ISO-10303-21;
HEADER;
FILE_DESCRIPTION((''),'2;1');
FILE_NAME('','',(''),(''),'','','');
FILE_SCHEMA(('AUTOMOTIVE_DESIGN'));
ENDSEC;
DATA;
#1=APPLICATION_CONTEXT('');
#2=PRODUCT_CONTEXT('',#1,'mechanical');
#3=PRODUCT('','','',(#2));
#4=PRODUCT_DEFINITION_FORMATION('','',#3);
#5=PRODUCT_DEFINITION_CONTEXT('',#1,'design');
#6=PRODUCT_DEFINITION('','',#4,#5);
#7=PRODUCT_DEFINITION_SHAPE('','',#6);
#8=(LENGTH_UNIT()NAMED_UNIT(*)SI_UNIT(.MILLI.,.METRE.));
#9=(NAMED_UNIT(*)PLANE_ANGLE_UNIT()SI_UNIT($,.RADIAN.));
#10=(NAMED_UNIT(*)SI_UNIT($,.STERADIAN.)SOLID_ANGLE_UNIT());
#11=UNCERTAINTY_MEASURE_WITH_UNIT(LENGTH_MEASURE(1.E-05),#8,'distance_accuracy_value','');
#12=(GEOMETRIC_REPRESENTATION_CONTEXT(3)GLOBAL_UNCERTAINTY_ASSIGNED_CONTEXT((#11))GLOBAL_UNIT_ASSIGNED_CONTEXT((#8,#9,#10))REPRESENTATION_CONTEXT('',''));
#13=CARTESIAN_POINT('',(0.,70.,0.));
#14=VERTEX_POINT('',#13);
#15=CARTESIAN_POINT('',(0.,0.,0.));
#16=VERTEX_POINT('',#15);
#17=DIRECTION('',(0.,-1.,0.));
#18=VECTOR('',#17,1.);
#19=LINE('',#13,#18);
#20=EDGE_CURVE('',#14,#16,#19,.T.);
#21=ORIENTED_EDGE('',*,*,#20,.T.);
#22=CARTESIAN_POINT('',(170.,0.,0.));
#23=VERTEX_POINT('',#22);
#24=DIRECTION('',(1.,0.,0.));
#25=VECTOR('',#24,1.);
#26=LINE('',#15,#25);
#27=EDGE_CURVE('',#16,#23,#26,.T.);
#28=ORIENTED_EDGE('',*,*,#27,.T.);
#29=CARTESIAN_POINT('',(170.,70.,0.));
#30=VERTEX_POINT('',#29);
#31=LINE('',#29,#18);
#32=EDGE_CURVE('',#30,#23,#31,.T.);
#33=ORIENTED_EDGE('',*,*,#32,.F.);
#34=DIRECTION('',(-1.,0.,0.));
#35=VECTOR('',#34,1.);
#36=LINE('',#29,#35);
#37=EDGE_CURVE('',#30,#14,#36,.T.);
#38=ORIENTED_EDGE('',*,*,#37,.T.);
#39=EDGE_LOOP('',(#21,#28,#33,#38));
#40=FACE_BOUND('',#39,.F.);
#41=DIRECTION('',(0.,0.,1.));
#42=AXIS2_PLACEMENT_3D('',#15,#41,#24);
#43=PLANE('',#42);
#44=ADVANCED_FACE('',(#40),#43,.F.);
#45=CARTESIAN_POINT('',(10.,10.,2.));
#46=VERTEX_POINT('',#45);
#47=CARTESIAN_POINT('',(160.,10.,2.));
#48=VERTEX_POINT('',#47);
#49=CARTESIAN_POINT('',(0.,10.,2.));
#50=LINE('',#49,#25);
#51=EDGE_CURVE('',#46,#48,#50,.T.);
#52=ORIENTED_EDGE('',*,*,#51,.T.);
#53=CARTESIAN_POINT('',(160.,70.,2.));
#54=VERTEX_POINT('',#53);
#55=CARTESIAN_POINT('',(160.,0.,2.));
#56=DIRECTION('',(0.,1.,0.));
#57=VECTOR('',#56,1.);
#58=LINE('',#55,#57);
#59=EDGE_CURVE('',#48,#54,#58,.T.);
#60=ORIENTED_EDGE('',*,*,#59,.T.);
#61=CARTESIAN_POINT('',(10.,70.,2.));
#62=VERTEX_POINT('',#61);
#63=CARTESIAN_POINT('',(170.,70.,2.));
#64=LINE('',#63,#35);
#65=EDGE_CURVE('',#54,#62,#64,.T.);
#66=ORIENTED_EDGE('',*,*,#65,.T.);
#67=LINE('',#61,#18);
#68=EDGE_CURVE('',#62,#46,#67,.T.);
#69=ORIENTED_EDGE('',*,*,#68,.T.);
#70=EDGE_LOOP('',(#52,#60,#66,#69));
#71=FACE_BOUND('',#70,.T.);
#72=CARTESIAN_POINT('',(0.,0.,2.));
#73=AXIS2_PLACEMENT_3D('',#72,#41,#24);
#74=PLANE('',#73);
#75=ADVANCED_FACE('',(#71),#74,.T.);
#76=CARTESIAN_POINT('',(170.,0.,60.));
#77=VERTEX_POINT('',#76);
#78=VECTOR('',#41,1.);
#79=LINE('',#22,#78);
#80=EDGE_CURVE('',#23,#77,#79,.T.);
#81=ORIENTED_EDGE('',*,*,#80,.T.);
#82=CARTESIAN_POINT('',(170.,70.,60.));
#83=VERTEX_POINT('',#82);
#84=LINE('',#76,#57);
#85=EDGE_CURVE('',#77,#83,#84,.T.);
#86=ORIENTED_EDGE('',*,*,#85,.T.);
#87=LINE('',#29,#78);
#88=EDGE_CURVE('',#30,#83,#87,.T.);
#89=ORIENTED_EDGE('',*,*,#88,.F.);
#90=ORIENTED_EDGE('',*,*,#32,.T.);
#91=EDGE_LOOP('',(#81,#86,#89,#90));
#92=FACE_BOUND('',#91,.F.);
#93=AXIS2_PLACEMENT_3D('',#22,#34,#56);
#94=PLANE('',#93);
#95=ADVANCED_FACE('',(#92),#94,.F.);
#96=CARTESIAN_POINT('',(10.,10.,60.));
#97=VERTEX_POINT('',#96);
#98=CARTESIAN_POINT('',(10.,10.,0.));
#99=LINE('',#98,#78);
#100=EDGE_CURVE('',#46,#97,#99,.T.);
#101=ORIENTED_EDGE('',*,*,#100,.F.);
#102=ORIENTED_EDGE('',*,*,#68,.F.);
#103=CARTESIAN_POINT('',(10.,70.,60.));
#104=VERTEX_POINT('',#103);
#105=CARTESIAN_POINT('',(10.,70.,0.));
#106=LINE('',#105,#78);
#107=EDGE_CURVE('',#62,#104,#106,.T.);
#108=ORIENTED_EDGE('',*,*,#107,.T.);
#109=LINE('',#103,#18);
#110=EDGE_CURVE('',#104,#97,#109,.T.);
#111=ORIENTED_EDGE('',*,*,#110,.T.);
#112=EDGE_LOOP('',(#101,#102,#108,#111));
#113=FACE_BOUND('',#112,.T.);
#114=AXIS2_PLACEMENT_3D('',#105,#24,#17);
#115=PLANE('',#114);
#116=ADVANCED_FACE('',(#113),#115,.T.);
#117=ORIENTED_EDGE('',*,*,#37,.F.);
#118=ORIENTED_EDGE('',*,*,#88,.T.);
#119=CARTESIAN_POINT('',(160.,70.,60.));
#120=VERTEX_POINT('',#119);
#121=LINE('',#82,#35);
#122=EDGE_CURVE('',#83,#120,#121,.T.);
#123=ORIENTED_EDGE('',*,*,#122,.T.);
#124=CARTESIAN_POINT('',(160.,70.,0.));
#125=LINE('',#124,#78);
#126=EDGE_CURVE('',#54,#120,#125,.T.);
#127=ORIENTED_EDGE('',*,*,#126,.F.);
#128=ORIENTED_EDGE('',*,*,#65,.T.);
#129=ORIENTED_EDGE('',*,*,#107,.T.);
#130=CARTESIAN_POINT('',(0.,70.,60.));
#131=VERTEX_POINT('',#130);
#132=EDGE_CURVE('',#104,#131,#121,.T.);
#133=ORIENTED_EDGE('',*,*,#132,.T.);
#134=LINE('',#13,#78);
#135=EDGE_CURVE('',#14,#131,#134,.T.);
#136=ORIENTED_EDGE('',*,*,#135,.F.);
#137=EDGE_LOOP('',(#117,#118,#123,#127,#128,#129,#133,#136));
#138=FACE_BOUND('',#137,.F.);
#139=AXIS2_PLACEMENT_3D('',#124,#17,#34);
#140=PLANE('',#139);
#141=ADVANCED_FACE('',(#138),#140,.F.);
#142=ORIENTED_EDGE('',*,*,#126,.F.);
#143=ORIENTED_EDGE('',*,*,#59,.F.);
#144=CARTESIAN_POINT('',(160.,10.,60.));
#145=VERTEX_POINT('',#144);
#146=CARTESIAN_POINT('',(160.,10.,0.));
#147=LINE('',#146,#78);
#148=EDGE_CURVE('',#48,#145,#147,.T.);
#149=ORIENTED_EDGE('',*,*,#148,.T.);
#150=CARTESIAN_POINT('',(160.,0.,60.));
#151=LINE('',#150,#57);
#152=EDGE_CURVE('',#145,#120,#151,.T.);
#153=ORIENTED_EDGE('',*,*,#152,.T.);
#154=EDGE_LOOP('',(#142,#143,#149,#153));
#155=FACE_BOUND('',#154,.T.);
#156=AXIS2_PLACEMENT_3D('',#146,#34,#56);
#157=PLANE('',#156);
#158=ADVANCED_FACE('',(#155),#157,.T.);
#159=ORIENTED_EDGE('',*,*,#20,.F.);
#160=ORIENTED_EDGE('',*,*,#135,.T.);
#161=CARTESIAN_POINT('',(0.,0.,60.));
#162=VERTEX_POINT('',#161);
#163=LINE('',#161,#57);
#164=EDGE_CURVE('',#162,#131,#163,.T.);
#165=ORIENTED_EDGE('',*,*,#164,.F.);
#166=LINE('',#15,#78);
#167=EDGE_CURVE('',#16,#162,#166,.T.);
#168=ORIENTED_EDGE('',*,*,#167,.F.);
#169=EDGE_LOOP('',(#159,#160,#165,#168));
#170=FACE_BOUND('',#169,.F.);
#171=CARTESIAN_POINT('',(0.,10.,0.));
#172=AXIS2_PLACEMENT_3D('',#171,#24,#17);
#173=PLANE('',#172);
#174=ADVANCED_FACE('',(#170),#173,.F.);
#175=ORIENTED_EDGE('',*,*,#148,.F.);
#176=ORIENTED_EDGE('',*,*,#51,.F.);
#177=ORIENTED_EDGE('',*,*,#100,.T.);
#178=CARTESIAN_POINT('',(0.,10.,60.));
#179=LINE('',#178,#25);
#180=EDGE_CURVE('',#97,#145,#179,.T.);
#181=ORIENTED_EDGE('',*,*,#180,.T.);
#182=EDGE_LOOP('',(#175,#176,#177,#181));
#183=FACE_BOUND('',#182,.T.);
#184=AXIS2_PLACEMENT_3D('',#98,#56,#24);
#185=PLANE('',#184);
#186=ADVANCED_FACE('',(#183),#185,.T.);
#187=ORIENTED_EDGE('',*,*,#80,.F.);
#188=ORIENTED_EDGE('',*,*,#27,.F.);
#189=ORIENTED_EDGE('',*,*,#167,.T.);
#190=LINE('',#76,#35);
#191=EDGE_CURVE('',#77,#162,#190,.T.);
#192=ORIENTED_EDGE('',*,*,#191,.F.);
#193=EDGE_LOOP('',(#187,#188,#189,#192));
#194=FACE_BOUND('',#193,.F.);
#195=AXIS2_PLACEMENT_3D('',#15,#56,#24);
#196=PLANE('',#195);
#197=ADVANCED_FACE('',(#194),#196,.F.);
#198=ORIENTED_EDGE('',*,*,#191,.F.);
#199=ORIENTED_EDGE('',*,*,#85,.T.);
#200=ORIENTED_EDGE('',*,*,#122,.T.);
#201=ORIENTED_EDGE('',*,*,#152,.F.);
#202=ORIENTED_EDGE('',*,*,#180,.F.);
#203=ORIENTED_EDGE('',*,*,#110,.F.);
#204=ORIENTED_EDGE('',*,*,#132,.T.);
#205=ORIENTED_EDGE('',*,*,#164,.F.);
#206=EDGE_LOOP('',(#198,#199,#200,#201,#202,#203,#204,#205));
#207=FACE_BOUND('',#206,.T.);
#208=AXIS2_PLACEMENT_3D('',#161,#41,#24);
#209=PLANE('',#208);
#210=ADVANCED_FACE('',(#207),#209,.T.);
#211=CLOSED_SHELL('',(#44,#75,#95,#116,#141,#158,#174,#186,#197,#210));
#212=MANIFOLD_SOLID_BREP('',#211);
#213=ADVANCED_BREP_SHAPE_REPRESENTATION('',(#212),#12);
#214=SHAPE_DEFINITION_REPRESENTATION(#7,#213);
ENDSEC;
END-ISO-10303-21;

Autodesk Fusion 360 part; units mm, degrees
sketch "Sketch1" plane through (0, 0, 0) normal (0, 0, 1) x (1, 0, 0)
  line L0 (0, 0) -> (170, 0)
  line L1 (170, 0) -> (170, 70)
  line L2 (170, 70) -> (0, 70)
  line L3 (0, 70) -> (0, 0)
  line L4 (0, 70) -> (10, 70)
  line L5 (10, 70) -> (10, 0)
  line L6 (10, 0) -> (0, 0)
  line L7 (0, 0) -> (0, 70)
  line L8 (0, 10) -> (170, 10)
  line L9 (170, 10) -> (170, 0)
  line L10 (170, 0) -> (0, 0)
  line L11 (0, 0) -> (0, 10)
  line L12 (170, 0) -> (160, 0)
  line L13 (160, 0) -> (160, 70)
  line L14 (160, 70) -> (170, 70)
  line L15 (170, 70) -> (170, 0)
  dimension "d1" = 170
  dimension "d2" = 70
extrude "Extrude1" add sketch "Sketch1" along normal blind 2 contours L2 L5 L8 L13
extrude "Extrude2" add sketch "Sketch1" along normal blind 60 contours L0 L3 L5 L6 L7 L8 L10 L11 | L0 L5 L8 L10 L13 | L2 L3 L4 L5 L7 L8 | L0 L1 L8 L9 L10 L12 L13 L15 | L1 L2 L8 L13 L14 L15
